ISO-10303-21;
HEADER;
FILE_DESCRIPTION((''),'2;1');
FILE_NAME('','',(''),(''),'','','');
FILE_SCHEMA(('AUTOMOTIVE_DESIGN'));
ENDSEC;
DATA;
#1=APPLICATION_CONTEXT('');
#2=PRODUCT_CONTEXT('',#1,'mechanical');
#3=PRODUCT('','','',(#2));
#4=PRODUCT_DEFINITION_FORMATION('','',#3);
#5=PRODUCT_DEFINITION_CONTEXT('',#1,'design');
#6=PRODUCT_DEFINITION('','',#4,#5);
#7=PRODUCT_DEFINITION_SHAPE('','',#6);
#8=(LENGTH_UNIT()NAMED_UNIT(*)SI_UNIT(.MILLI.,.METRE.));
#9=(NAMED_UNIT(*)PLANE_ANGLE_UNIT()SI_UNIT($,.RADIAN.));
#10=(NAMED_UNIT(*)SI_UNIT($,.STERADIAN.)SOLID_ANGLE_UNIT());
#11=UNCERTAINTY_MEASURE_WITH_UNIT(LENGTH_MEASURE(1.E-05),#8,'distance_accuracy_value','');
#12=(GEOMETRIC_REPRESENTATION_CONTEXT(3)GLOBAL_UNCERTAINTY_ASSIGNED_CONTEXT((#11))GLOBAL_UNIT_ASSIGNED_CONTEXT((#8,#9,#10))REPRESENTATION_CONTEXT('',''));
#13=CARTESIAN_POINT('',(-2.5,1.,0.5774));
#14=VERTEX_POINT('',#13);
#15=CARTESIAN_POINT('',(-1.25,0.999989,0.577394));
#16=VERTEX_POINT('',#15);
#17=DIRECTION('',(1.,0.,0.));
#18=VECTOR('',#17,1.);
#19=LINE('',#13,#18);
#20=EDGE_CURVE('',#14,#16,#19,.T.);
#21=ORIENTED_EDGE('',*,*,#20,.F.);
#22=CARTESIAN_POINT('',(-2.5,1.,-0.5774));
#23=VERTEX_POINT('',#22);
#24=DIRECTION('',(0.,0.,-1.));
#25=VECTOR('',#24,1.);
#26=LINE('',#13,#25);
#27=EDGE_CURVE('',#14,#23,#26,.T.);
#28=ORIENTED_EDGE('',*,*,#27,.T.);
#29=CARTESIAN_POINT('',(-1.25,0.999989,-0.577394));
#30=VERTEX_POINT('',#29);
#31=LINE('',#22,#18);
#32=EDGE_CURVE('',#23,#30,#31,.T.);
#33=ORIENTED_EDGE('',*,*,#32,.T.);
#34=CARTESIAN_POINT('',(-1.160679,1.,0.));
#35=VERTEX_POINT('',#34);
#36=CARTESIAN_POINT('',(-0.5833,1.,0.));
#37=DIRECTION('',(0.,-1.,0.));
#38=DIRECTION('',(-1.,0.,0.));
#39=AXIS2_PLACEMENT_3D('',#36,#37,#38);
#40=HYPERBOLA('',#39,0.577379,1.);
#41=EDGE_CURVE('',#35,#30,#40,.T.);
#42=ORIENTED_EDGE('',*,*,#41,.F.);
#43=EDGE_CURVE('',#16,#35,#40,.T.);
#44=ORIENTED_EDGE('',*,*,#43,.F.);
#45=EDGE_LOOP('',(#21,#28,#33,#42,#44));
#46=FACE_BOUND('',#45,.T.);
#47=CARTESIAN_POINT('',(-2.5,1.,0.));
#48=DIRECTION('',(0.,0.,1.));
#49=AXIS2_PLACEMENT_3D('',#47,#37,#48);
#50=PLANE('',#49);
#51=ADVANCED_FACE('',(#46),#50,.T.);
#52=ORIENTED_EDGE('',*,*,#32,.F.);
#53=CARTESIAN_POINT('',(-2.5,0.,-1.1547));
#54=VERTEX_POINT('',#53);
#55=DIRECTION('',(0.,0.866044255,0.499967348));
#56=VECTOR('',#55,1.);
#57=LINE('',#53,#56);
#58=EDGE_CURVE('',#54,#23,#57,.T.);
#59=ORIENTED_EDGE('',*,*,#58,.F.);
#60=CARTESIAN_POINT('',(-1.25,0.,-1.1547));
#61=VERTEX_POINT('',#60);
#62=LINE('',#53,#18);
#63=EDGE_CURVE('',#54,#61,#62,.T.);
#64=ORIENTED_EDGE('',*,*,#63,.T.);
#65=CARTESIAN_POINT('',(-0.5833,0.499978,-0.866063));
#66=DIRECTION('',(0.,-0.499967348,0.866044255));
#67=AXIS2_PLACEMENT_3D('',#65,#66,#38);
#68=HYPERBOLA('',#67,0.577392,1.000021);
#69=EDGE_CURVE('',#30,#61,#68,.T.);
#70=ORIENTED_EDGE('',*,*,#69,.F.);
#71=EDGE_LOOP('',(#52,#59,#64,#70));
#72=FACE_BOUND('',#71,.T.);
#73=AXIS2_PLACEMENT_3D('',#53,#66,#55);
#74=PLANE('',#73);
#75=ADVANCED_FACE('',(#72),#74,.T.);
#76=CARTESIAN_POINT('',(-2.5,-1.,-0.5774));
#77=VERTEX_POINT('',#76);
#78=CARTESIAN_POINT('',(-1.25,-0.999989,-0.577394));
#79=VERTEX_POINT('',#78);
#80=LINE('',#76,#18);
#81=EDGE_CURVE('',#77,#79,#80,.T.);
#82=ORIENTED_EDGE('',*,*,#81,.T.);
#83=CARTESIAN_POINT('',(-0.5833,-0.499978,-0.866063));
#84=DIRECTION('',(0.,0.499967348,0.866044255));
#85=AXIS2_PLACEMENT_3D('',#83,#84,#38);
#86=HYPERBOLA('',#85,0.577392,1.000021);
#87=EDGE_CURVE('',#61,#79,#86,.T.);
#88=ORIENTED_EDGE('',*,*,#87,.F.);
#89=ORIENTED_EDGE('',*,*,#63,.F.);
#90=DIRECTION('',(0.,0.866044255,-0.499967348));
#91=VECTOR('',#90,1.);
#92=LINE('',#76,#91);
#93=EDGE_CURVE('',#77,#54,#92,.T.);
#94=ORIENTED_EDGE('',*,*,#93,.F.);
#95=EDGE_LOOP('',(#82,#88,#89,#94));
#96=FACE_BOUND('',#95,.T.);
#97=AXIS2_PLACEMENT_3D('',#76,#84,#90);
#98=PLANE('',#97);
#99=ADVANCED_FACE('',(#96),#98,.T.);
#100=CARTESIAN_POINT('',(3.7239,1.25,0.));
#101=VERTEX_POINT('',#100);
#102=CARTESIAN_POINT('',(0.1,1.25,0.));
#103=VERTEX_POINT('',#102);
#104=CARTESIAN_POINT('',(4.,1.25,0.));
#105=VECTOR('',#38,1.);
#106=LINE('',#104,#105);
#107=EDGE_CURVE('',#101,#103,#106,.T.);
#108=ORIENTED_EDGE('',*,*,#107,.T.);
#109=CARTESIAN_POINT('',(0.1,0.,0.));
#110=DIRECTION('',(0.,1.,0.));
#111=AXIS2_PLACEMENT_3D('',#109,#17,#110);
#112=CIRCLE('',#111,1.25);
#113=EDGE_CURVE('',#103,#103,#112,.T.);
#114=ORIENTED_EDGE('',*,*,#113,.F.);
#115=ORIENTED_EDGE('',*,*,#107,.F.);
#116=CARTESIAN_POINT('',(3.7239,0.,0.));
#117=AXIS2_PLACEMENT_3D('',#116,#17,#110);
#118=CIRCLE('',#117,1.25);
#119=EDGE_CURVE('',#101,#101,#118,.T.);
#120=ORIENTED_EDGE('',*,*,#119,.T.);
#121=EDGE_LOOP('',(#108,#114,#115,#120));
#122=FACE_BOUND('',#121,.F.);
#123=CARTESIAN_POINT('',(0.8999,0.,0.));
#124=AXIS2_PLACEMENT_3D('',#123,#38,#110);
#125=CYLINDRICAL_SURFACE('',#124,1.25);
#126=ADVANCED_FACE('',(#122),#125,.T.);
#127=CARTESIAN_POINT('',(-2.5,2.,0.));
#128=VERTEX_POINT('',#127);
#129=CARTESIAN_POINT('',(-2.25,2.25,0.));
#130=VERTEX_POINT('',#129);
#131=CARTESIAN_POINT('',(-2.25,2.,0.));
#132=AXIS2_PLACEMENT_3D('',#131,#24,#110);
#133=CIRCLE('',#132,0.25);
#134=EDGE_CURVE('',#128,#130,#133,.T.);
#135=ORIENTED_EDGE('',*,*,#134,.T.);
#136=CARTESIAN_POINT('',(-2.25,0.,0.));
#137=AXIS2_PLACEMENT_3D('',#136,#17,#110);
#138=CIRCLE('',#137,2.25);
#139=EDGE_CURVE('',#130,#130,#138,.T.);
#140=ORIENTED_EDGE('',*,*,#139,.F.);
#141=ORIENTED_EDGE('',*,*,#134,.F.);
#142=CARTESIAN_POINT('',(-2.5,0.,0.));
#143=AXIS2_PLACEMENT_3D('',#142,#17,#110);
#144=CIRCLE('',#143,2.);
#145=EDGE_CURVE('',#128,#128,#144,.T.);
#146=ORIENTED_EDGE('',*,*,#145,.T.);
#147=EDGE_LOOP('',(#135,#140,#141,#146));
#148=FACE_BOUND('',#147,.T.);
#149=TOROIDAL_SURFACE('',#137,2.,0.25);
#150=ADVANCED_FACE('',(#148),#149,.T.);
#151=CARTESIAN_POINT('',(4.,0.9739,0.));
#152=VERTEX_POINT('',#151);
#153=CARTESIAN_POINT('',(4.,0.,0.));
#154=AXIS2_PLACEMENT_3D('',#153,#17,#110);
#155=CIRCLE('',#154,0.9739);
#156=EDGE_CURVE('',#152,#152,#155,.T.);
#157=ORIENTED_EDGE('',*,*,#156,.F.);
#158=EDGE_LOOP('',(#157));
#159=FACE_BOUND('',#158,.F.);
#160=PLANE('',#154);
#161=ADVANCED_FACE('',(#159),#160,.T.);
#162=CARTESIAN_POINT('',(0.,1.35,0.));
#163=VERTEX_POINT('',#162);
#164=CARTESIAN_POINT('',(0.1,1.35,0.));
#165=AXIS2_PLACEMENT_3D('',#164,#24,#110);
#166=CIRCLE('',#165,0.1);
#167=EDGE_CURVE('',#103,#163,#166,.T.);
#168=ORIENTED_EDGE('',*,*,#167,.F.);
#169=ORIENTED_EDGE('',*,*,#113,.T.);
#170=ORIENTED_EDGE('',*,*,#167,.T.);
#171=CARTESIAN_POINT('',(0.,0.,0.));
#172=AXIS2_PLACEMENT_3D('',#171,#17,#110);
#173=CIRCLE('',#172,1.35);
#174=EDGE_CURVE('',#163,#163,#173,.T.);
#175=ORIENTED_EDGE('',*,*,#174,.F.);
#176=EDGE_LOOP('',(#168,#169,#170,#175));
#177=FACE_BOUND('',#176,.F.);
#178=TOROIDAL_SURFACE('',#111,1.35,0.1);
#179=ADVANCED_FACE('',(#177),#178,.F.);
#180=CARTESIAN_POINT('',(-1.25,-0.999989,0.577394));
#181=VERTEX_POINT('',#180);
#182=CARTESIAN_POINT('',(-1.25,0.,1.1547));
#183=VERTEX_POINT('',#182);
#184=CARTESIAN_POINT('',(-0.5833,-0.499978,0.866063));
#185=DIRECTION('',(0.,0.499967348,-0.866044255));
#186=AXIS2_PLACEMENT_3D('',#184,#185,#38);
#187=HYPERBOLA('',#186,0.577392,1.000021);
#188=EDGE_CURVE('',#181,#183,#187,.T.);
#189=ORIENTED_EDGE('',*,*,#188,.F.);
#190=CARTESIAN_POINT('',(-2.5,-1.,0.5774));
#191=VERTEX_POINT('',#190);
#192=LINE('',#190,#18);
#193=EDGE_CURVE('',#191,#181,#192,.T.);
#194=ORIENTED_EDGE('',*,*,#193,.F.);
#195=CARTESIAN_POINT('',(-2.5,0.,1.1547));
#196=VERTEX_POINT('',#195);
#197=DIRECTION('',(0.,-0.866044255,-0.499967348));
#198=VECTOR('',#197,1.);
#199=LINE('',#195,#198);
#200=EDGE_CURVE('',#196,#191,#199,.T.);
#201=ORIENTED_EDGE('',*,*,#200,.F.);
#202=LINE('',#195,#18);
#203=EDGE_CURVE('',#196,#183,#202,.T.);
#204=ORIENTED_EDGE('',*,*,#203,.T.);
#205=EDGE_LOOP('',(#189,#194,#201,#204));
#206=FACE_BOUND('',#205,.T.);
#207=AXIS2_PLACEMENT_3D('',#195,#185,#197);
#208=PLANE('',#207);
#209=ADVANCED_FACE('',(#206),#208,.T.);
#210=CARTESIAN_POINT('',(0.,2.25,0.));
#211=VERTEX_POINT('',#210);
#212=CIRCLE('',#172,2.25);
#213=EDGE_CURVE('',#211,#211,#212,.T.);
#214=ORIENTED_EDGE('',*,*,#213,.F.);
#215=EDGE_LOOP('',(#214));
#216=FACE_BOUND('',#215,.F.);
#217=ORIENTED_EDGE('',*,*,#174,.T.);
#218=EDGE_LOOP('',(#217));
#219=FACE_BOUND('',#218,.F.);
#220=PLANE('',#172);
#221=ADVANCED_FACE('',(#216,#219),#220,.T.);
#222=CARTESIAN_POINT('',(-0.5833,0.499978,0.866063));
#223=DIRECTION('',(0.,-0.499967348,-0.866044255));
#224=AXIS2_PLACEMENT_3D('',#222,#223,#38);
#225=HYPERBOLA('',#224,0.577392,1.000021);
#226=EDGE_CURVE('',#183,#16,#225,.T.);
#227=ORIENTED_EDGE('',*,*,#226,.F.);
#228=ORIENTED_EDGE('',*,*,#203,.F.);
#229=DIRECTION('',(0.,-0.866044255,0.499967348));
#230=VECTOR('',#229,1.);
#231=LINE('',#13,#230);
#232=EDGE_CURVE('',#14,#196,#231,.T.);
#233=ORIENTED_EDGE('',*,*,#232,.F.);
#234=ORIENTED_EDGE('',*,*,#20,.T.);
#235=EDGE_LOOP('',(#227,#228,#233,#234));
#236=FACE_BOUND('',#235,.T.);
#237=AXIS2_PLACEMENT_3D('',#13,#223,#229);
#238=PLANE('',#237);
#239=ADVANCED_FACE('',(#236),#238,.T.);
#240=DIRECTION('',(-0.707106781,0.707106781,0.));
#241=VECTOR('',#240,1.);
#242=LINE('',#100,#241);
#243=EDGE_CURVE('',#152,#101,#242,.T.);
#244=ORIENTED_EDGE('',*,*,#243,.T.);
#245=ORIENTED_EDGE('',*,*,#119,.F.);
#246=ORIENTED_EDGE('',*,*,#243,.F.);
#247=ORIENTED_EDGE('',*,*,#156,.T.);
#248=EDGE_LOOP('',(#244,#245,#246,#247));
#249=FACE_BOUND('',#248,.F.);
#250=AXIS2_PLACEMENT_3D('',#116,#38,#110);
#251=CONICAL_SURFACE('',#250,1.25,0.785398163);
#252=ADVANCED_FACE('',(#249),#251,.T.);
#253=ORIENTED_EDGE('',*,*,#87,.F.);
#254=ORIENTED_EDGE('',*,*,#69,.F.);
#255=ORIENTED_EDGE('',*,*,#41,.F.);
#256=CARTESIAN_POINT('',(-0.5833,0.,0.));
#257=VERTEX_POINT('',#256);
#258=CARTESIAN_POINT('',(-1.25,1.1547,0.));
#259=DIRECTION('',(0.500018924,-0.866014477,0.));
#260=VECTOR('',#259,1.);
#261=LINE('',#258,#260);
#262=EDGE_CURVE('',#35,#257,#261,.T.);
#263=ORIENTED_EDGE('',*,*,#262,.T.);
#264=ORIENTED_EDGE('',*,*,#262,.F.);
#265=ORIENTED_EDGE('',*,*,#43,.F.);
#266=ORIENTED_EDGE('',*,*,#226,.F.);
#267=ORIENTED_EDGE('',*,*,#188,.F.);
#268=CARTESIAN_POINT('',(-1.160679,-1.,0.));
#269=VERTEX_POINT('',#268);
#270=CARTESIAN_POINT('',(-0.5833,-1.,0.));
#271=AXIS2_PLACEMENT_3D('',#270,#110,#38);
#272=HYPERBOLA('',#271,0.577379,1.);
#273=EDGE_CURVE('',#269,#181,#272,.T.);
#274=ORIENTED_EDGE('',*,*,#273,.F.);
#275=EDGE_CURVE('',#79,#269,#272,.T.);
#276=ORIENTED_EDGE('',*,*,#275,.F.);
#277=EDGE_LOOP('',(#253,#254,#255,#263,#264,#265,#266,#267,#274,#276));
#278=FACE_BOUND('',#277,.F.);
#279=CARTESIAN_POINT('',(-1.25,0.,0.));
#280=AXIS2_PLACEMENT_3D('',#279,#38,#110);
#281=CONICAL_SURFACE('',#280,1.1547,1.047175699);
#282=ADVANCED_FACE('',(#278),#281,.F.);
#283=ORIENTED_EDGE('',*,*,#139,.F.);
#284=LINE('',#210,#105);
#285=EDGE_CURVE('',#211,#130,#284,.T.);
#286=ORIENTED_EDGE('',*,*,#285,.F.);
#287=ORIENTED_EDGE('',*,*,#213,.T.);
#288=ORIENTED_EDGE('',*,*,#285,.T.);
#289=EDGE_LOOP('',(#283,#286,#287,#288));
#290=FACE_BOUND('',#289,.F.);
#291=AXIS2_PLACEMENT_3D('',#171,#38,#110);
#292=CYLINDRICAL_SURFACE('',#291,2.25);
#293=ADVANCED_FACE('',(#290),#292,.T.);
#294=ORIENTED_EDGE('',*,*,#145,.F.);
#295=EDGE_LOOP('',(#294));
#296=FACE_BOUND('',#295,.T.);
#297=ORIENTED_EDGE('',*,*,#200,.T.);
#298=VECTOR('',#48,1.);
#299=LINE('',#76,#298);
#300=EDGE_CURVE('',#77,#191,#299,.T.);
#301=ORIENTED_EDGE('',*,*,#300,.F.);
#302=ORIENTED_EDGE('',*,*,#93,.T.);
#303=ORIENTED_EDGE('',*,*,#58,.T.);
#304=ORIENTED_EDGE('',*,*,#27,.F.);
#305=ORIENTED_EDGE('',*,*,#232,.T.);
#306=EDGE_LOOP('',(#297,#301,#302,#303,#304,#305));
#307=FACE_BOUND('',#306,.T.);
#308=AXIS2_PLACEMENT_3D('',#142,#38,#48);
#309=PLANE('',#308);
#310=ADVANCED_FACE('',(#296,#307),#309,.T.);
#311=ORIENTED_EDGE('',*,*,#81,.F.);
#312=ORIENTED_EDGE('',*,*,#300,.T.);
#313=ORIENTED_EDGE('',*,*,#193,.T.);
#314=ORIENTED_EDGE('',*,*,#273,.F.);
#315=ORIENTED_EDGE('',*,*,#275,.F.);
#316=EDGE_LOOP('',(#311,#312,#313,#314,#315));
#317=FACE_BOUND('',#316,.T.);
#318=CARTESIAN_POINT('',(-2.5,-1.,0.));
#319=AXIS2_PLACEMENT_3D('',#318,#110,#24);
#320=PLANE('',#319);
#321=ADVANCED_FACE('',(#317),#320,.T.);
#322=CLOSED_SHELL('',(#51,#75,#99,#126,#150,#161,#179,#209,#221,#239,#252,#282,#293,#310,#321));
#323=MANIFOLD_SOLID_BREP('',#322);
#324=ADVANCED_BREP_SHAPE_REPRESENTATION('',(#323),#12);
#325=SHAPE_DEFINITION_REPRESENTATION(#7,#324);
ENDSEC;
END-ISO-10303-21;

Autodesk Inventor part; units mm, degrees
ref_plane "YZ Plane" through (0, 0, 0) normal (1, 0, 0) x (0, 1, 0)
ref_plane "XZ Plane" through (0, 0, 0) normal (0, 1, 0) x (-1, 0, 0)
sketch "Sketch1" plane through (0, 0, 0) normal (0, 0, 1) x (1, 0, 0)
  line L0 (-0.5833, 0) -> (4, 0)
  line L1 (4, 0) -> (4, 1.25)
  line L2 (4, 1.25) -> (1.1761, 1.25)
  line L3 (1.1761, 1.25) -> (0.8999, 1.25)
  line L4 (0.8999, 1.25) -> (0, 1.25)
  line L5 (0, 1.25) -> (0, 2.25)
  line L6 (0, 2.25) -> (-2.5, 2.25)
  line L7 (-2.5, 2.25) -> (-2.5, 1.1547)
  line L8 (-2.5, 1.1547) -> (-1.25, 1.1547)
  line L9 (-1.25, 1.1547) -> (-0.5833, 0)
  line L10 (-3.8, 0) -> (5.3, 0) projected
  line L11 (0, -0.45) -> (0, 2.7) projected
  line L12 (1.1761, 1.25) -> (0, 1.25) construction
  dimension "d1" = 2.8239
  dimension "d2" = 0.2762
  dimension "d3" = 2.5
  dimension "d4" = 1.25
  dimension "d5" = 60
  dimension "d6" = 2.5
  dimension "d7" = 2.5
  dimension "d8" = 2.3094
  dimension "d9" = 4.5
  dimension "d26" = 4
revolve "Body" add sketch "Sketch1" angle 360 about axis through (-0.5833, 0, 0) along (1, 0, 0)
sketch "Sketch2" plane through (-2.5, 0, 0) normal (-1, 0, 0) x (0, 0, 1)
  circle A0 centre (0, 0) radius 1.1547 projected
  line L0 (0, -3.15) -> (0, 3.15) projected
  line L1 (-3.15, 0) -> (3.15, 0) projected
  line L2 (1.1547, 0) -> (0.5774, -1)
  line L3 (0.5774, -1) -> (-0.5774, -1)
  line L4 (-0.5774, -1) -> (-1.1547, 0)
  line L5 (-1.1547, 0) -> (-0.5774, 1)
  line L6 (-0.5774, 1) -> (0.5774, 1)
  line L7 (0.5774, 1) -> (1.1547, 0)
extrude "Slot" add sketch "Sketch2" against normal up to next contours L7 A0 | A0 L2 | L6 L0 A0 | A0 L0 L3 | L0 L6 A0 | A0 L3 L0 | L4 A0 | A0 L5
fillet "Fillet1" radius 0.25 1 edges at (-2.5, -2.25, 0)
thread "Thread" size "M2.5x0.45" class "6g" standard "ISO Metric profile" length 2.8239
chamfer "Chamfer1" distance 0.2761 distance2 0.2761 1 edges at (4, -1.25, 0) measured on face at (4, -0.1825, -0.5629)
ref_plane "Work Plane1" through (29, 0, 0) normal (0, -1, 0) x (1, 0, 0)
fillet "Fillet2" radius 0.1 1 edges at (0, -1.25, 0)
equation "\"d30\" = R"
equation "\"d17\" = RR"
equation "\"d13\" = GEL"
equation "\"d15\" = -0.5 * SPD + 0.5 * GD"
equation "\"d16\" = GUL"
equation "\"d1\" = GEL"
equation "\"d3\" = KOH"
equation "\"d4\" = INTI"
equation "\"d6\" = GD"
equation "\"d7\" = BDM"
equation "\"d8\" = 1.1547 * SW"
equation "\"d9\" = KOD"
equation "\"d26\" = NLG"
equation "\"GD\" = NND"
equation "\"NLG\" = 4"
equation "\"GEL\" = 2.82395"
equation "\"KOD\" = 4.5"
equation "\"KOH\" = 2.5"
equation "\"INTI\" = 1.25"
equation "\"GAL\" = 0.61345 * PTC"
equation "\"GUL\" = 0.61345 * PTC"
equation "\"BDM\" = NND"
equation "\"SW\" = 2"
equation "\"RR\" = 0.25"
equation "\"SPD\" = 1.94789"
equation "\"R\" = 0.1"
equation "\"TOA\" = 30deg"
equation "\"THREADDIA\" = 2.5"
equation "\"PTC\" = 0.45"
equation "\"NND\" = 2.5"
equation "\"E0\" = 1.155 * SW"
equation "\"GD1\" = THREADDIA - 1.2269 * PTC"
properties part number "ANSI B18.3.1M - M2.5x0.45 x 4" material "Steel, Mild"
